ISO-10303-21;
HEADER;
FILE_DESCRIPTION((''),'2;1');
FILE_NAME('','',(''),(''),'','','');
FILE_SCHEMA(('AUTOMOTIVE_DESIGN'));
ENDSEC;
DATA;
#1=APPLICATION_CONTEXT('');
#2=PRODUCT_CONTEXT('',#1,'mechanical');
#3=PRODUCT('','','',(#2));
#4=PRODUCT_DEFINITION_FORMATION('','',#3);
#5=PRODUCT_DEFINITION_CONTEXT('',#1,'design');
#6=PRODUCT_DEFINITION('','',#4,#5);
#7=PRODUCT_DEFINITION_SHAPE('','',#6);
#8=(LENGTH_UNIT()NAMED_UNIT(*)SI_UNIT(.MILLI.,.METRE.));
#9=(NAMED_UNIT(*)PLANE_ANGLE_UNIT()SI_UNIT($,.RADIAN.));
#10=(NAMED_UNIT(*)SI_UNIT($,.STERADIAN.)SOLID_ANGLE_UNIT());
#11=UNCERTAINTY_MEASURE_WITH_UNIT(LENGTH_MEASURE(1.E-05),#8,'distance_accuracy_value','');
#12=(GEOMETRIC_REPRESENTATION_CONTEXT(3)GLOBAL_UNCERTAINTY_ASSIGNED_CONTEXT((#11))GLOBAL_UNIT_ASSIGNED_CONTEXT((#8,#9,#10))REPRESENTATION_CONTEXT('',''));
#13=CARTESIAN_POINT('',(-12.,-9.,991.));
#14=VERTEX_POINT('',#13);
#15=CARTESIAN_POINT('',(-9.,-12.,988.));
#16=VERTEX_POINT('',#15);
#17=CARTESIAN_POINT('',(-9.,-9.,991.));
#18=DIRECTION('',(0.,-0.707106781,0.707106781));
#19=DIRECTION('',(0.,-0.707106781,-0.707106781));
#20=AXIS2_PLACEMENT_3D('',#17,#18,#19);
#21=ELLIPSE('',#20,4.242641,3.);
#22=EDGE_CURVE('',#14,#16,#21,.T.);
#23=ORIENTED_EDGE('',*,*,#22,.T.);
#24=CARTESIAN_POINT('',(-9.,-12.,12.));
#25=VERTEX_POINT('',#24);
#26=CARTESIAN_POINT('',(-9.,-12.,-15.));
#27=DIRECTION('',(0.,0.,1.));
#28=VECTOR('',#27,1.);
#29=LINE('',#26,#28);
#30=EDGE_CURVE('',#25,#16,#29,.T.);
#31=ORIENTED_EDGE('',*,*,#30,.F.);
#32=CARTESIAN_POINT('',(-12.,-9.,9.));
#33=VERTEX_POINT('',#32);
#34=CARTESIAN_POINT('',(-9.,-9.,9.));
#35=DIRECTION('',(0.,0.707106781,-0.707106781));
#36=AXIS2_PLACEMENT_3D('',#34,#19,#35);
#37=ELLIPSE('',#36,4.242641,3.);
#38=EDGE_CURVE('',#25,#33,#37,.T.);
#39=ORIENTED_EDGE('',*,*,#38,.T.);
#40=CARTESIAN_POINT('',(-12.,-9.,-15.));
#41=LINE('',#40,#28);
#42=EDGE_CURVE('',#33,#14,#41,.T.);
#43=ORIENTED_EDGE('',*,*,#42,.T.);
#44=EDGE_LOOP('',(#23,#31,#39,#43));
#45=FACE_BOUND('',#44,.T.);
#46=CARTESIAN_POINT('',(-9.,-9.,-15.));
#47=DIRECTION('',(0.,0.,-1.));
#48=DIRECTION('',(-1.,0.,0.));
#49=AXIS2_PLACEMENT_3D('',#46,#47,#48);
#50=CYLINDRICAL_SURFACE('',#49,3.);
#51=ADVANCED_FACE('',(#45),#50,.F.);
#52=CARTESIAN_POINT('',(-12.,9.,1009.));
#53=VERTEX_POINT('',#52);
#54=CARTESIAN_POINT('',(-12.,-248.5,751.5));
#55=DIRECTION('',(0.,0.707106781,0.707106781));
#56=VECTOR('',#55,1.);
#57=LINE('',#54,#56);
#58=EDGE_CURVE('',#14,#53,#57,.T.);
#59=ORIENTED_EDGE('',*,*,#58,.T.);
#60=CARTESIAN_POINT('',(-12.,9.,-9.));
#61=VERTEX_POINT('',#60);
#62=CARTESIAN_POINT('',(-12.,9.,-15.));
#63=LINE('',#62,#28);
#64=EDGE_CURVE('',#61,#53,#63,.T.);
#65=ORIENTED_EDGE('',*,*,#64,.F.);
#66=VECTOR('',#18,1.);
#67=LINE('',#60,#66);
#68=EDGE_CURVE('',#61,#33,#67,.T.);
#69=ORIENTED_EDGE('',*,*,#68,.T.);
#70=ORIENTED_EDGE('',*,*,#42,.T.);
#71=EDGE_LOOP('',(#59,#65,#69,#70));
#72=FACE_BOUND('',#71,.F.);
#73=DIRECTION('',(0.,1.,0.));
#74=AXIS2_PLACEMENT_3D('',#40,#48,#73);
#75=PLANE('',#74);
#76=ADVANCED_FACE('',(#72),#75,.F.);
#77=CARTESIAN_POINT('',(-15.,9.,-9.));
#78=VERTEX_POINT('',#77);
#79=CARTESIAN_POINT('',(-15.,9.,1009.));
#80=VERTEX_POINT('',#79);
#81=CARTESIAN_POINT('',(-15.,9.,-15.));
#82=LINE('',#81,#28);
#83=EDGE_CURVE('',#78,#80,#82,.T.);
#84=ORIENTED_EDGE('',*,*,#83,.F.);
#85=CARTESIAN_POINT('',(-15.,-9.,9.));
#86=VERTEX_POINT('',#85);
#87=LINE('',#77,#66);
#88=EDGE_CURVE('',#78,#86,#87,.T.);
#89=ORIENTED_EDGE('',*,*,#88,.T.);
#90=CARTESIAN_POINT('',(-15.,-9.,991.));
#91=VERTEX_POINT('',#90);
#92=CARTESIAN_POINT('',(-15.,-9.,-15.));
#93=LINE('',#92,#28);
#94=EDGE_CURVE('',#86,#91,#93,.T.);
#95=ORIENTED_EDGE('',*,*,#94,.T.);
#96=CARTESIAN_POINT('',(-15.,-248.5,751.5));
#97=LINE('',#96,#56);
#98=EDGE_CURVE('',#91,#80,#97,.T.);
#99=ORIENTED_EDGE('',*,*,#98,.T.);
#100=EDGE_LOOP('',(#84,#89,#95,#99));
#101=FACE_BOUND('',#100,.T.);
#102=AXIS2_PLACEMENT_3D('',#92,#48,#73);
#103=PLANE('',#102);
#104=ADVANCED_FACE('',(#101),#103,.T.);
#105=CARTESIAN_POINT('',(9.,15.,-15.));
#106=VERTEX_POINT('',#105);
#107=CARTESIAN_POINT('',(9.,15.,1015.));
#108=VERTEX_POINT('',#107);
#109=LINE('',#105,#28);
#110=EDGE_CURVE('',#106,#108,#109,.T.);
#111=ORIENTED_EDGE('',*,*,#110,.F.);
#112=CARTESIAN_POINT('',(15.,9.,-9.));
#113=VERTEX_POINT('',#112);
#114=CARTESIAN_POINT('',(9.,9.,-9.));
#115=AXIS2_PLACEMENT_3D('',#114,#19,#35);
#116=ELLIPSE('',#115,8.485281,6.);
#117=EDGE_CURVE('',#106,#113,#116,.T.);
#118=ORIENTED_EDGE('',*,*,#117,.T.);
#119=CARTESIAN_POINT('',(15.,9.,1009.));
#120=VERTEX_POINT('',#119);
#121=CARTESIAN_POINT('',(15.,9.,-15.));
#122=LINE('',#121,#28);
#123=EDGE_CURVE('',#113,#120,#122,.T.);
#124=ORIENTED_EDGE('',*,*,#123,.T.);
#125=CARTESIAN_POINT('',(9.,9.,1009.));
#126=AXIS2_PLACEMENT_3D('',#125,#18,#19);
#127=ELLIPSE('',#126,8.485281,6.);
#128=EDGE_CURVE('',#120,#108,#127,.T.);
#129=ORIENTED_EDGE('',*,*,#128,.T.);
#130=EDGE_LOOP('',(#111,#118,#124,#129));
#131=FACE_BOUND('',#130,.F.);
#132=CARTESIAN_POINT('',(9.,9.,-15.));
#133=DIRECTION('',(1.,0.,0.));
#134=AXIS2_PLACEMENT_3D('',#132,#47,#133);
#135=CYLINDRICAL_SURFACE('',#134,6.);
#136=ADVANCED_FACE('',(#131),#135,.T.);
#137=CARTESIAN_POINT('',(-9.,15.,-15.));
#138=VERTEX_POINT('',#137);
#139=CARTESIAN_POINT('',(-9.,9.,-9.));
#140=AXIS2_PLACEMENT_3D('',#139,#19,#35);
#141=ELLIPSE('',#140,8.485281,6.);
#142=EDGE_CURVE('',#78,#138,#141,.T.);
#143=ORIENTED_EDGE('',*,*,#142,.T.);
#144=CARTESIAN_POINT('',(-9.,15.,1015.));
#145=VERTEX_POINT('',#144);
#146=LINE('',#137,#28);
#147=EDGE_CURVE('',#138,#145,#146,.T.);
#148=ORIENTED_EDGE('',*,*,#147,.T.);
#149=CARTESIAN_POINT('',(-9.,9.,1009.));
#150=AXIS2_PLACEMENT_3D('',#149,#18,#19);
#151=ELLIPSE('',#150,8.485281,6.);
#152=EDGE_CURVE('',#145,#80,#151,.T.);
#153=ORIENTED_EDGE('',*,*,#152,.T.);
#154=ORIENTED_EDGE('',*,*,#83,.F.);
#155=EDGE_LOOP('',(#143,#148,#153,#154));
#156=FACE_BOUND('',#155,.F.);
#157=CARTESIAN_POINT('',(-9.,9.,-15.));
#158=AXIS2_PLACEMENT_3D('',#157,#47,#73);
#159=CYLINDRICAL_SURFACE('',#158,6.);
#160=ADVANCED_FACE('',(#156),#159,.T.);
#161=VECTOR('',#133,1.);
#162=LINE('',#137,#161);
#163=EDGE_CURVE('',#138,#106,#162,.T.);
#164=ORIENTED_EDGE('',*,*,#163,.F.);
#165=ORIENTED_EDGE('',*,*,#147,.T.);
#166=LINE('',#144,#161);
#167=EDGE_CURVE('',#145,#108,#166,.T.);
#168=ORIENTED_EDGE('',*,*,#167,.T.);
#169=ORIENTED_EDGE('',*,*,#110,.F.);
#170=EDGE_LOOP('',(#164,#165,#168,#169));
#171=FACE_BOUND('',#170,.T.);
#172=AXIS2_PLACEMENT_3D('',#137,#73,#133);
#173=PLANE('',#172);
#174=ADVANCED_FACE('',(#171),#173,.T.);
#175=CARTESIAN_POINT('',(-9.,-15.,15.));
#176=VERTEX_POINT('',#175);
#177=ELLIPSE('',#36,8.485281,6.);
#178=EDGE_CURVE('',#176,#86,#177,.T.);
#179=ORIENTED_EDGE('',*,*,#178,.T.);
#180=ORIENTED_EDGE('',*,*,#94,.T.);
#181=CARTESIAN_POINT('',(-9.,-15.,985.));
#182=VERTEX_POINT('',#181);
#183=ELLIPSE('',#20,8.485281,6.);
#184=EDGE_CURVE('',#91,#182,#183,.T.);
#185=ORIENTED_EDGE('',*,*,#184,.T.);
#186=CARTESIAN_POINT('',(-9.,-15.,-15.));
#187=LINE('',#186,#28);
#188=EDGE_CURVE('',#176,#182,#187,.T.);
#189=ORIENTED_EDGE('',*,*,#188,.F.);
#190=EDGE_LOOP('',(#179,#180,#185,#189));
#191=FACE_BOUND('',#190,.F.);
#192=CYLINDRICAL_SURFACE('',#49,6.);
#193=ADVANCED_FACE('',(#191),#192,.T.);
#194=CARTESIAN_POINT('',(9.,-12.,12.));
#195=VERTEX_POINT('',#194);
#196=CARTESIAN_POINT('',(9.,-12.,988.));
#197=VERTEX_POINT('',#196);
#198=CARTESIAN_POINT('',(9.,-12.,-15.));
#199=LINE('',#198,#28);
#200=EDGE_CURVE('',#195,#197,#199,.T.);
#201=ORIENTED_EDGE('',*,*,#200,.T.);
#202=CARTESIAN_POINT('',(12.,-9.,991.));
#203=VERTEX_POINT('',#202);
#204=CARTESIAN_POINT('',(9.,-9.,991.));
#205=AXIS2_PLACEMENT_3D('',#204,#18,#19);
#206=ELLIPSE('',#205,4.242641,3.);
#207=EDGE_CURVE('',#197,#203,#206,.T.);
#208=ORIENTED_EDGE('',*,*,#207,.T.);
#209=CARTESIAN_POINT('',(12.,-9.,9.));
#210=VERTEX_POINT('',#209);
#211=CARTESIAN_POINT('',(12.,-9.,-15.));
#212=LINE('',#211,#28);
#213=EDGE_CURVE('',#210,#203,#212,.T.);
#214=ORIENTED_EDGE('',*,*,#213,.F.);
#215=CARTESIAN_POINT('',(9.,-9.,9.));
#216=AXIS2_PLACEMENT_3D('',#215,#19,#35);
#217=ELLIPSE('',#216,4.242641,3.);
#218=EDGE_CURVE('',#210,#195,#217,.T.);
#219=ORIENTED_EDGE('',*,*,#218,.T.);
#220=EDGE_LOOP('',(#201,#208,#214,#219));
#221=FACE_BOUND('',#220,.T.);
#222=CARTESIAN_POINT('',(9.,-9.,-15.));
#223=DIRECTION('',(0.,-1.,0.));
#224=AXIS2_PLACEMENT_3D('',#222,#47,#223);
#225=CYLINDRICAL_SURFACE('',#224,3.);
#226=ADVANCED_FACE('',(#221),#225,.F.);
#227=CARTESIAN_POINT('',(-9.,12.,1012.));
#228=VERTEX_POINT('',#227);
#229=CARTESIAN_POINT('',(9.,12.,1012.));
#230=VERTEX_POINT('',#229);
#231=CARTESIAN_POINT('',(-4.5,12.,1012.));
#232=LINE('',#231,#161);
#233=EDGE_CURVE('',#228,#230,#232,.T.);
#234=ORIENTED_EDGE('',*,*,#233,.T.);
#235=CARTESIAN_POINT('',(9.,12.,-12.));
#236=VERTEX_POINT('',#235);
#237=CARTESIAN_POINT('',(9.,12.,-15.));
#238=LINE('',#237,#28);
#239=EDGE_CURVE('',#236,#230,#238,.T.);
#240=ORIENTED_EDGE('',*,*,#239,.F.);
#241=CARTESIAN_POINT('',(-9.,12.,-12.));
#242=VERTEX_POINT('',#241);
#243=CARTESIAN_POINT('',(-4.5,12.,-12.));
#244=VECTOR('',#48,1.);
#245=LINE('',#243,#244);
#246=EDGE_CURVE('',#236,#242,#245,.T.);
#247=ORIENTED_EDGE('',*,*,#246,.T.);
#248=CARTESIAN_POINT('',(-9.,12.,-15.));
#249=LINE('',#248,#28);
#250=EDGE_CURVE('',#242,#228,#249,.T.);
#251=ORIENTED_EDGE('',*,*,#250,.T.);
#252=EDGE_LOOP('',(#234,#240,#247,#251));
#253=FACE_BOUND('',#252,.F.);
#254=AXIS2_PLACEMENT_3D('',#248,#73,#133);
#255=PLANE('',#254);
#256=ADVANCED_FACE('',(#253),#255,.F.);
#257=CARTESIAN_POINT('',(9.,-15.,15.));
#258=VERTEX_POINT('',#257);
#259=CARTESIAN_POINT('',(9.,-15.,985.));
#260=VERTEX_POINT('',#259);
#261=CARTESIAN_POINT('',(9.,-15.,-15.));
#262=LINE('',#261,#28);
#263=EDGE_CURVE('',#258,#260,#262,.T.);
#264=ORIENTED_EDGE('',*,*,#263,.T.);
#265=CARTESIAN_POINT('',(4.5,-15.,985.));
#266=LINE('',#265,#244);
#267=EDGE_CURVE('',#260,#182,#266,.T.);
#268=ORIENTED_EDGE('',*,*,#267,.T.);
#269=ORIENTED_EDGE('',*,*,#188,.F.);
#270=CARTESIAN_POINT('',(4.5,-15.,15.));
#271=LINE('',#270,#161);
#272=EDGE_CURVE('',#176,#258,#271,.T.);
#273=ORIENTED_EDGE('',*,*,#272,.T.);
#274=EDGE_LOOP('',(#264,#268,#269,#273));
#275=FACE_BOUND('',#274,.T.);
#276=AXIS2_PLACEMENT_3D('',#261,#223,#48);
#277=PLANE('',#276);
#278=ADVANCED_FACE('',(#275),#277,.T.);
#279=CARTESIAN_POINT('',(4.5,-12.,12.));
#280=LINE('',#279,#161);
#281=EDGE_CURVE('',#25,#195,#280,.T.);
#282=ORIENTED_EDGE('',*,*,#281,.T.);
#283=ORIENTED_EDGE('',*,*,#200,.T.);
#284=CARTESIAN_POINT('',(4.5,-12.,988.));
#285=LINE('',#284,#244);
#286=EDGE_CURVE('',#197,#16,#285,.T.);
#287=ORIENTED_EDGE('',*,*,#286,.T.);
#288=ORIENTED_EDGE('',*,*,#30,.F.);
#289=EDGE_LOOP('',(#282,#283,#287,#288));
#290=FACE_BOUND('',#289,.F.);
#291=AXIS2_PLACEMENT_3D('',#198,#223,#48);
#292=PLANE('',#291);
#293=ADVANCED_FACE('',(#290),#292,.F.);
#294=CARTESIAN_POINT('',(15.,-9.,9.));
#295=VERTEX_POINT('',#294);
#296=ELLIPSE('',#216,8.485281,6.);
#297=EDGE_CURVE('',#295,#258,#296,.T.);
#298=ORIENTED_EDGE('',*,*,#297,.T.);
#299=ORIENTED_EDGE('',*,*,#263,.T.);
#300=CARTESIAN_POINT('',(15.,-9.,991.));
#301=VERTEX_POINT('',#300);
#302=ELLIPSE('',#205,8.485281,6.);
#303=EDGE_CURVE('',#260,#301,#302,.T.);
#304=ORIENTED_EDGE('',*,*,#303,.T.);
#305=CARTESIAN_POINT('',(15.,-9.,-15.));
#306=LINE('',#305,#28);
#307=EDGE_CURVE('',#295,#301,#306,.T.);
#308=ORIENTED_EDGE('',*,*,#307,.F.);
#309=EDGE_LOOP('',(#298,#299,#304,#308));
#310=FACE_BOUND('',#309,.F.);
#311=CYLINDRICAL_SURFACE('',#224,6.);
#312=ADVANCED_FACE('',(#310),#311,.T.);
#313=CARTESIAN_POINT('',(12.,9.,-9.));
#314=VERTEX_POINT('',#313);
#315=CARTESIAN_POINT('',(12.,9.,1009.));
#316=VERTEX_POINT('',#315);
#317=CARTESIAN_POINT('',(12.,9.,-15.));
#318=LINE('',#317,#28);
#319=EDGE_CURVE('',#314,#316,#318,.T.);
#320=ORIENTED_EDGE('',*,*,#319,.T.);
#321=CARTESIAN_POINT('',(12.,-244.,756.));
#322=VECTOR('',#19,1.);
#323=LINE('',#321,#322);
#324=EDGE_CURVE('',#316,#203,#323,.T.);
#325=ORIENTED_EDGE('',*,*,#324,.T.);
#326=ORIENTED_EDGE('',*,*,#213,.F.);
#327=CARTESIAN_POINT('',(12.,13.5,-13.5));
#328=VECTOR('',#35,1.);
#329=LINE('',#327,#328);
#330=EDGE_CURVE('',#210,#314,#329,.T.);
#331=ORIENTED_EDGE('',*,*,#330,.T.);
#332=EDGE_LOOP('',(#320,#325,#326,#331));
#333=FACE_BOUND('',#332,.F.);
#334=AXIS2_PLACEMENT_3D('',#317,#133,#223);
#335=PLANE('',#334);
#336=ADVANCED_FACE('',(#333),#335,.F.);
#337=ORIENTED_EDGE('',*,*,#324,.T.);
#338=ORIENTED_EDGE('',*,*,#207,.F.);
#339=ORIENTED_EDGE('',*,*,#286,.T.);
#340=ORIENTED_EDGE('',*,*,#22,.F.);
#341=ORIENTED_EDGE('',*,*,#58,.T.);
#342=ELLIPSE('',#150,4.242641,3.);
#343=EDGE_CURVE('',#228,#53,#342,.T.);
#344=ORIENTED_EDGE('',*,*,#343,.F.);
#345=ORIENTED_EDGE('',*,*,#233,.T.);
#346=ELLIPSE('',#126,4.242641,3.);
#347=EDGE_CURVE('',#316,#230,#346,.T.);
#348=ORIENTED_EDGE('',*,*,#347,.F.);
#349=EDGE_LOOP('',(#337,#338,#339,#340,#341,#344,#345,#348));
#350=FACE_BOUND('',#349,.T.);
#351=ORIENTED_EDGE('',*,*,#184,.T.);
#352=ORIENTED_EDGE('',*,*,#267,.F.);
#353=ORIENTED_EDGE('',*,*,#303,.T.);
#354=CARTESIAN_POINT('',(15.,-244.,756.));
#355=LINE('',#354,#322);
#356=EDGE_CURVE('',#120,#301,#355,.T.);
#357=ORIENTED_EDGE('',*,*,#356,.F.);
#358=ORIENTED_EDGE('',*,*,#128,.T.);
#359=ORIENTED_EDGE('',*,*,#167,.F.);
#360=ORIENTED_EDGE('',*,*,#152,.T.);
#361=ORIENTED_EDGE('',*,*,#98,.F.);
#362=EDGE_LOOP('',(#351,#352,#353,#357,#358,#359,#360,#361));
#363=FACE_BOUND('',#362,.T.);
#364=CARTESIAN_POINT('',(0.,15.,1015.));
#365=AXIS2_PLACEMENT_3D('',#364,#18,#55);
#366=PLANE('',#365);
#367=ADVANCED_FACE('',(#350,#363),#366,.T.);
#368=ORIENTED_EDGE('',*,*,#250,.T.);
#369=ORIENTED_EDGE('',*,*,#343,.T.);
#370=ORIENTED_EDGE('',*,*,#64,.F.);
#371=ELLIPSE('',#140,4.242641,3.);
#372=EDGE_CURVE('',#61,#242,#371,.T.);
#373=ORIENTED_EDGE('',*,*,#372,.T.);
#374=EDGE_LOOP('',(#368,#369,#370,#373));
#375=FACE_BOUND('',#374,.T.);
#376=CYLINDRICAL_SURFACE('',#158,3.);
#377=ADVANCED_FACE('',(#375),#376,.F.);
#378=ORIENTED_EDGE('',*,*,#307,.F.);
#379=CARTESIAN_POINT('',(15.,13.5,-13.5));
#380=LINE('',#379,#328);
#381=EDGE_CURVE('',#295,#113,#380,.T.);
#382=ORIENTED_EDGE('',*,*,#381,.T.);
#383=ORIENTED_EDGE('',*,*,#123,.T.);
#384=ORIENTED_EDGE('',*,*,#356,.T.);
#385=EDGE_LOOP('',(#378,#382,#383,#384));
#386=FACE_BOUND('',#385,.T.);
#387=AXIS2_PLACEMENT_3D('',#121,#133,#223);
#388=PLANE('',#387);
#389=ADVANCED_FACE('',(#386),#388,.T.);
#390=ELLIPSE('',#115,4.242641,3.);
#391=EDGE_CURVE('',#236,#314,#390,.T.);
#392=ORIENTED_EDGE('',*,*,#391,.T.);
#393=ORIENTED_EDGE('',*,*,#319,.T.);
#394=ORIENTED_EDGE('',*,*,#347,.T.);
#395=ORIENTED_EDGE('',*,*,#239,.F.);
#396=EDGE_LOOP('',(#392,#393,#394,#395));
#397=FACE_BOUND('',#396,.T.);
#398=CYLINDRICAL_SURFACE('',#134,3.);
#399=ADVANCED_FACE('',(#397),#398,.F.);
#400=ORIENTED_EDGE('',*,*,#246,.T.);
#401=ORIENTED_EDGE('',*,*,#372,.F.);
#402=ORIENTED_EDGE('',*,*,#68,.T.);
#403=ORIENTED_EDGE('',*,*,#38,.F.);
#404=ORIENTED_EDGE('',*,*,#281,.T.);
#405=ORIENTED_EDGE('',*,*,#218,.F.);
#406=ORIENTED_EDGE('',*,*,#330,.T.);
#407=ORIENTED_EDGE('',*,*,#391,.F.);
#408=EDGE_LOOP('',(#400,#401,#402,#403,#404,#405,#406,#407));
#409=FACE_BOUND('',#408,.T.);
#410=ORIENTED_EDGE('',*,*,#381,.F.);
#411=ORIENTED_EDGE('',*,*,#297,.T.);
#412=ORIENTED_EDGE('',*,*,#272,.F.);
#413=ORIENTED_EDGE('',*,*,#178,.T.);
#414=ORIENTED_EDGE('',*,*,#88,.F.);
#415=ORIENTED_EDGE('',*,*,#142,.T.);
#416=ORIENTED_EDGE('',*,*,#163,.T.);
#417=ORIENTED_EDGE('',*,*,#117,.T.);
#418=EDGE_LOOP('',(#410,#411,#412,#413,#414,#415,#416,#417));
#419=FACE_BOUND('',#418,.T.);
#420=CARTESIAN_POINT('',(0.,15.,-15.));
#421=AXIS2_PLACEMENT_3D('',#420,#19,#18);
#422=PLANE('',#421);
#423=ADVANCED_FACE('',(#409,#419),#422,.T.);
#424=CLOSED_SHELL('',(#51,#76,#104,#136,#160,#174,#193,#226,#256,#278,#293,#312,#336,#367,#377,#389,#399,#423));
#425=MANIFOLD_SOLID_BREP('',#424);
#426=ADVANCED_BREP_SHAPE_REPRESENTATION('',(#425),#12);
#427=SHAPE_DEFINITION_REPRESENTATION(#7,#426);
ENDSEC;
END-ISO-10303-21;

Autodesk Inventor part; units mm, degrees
ref_plane "Start Plane" through (0, 0, -15) normal (0, 0, 1) x (1, 0, 0)
ref_plane "End Plane" through (0, 0, 1015) normal (0, 0, 1) x (1, 0, 0)
sketch "Sketch" plane through (0, 0, 0) normal (0, 0, 1) x (1, 0, 0)
  line L0 (-15, -9) -> (-15, 9)
  line L1 (-9, 15) -> (9, 15)
  line L2 (15, 9) -> (15, -9)
  line L3 (9, -15) -> (-9, -15)
  arc A0 (-15, -9) -> (-9, -15) centre (-9, -9) ccw
  arc A1 (-9, 15) -> (-15, 9) centre (-9, 9) ccw
  arc A2 (15, 9) -> (9, 15) centre (9, 9) ccw
  arc A3 (9, -15) -> (15, -9) centre (9, -9) ccw
  arc A4 (-9, 12) -> (-12, 9) centre (-9, 9) ccw
  line L4 (-9, 12) -> (9, 12)
  arc A5 (12, 9) -> (9, 12) centre (9, 9) ccw
  line L5 (12, 9) -> (12, -9)
  arc A6 (9, -12) -> (12, -9) centre (9, -9) ccw
  line L6 (9, -12) -> (-9, -12)
  arc A7 (-12, -9) -> (-9, -12) centre (-9, -9) ccw
  line L7 (-12, -9) -> (-12, 9)
  line L8 (0, 22.7397) -> (0, -22.7397) construction
  line L9 (-22.7397, 0) -> (22.7397, 0) construction
  dimension "d7" = 6
  dimension "d10" = 30
  dimension "d11" = 30
  dimension "d12" = 3
  dimension "d15" = 15
  dimension "d16" = 15
extrude "Body" add sketch "Sketch" along normal up to surface (1030 mm away) from surface at -15
sketch "Sketch3" plane through (0, 0, 0) normal (0, 0, 1) x (1, 0, 0)
  line L0 (0, 0) -> (10, 0)
ref_plane "Work Plane3" through (0, 0, 0) normal (0, -1, 0) x (1, 0, 0)
ref_plane "Work Plane4" through (0, 15, -15) normal (0, -0.7071, -0.7071) x (1, 0, 0)
split "Split1" plane through (0, 15, -15) removes the side toward (0, -0.7071, -0.7071)
ref_plane "Work Plane5" through (0, 15, 1015) normal (0, -0.7071, 0.7071) x (1, 0, 0)
split "Split2" plane through (0, 15, 1015) removes the side toward (0, -0.7071, 0.7071)
sketch "Sketch4" plane through (0, 0, 0) normal (0, -1, 0) x (1, 0, 0)
  line L0 (-2, -15) -> (12, -15) projected
  line L1 (-2, 1015) -> (12, 1015) projected
  dimension "d18" = 1030
equation "\"d7\" = G_IR"
equation "\"d10\" = G_H"
equation "\"d11\" = G_W"
equation "\"d12\" = G_T"
equation "\"d15\" = 0.5 * d10"
equation "\"d16\" = 0.5 * d11"
equation "\"d3\" = G_L"
equation "\"G_W\" = 30"
equation "\"G_H\" = 30"
equation "\"G_T\" = 3"
equation "\"G_IR\" = 6"
equation "\"G_L\" = d18"
equation "\"G_OFFSET_START\" = 15"
equation "\"G_OFFSET_END\" = 15"
equation "\"d13\" = -G_OFFSET_START"
equation "\"d14\" = G_OFFSET_END + B_L"
equation "\"B_L\" = 1000"
properties part number "DIN EN 10219-2 - 30 x 30 x 3  - 1030" material "Steel, Mild"
